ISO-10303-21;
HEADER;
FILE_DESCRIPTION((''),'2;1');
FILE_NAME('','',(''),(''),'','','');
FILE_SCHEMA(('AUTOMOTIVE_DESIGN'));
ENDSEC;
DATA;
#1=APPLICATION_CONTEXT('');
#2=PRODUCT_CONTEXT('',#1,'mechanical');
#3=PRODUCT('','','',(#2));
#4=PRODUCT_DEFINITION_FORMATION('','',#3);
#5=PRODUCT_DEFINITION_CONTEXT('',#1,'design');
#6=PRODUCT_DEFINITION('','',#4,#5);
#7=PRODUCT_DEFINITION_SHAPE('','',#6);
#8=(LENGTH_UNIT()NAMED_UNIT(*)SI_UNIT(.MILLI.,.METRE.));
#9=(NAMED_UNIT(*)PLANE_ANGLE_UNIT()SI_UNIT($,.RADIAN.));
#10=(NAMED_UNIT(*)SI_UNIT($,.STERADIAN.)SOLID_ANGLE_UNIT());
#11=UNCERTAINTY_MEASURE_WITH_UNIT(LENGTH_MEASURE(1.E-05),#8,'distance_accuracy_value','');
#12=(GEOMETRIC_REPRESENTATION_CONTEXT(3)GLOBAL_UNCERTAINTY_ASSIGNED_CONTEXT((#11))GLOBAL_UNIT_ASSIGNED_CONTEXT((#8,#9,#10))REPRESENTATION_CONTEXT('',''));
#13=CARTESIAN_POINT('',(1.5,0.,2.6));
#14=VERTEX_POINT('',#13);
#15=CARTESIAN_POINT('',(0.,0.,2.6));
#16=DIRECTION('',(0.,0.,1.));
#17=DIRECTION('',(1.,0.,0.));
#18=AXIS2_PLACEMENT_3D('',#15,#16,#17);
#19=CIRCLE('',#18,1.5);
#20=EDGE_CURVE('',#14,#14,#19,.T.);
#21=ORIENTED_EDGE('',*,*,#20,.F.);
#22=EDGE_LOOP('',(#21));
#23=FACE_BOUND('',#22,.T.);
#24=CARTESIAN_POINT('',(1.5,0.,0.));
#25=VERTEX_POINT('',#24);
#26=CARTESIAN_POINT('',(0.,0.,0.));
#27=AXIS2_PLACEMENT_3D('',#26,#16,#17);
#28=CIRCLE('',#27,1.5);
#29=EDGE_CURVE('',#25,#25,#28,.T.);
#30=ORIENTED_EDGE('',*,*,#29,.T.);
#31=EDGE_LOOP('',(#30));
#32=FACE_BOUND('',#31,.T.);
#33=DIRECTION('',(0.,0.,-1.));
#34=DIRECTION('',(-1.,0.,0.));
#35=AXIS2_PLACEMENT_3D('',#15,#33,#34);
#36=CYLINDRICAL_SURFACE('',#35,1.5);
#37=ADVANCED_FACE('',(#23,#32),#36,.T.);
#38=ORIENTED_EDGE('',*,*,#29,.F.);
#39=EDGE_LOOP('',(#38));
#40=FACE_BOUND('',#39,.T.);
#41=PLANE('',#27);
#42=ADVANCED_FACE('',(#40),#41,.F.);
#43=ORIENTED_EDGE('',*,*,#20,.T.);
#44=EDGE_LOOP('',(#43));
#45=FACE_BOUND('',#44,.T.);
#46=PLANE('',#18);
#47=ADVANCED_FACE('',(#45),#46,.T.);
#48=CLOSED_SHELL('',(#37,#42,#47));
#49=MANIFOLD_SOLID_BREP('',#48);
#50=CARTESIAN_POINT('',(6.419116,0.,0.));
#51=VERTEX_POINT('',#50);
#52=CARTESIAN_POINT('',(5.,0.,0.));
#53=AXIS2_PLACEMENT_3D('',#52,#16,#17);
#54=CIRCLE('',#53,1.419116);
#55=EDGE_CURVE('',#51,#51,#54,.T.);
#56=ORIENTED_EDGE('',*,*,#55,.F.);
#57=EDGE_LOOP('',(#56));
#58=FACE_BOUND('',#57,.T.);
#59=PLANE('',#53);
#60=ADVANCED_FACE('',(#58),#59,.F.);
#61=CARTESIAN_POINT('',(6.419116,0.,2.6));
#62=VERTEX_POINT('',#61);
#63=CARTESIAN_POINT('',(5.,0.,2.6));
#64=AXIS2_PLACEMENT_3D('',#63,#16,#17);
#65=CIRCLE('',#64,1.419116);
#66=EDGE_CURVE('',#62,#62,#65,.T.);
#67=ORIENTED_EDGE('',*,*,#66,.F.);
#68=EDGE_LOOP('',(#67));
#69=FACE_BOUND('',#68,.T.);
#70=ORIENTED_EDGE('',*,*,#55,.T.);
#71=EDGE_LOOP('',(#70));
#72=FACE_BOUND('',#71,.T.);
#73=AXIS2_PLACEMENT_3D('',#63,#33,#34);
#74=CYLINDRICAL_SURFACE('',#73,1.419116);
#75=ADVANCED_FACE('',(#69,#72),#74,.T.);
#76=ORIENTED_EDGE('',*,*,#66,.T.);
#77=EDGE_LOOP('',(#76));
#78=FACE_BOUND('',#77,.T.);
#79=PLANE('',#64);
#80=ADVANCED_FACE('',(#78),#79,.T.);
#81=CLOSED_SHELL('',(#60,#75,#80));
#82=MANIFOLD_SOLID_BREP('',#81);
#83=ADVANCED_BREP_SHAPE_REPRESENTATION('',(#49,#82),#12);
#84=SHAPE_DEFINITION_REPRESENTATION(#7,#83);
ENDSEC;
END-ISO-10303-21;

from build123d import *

# Parameters (mm, degrees)
SKIZZE1_R                         = 1.5
AUFSATZ_LINEAR_AUSTRAGEN1_DEPTH   = 2.6
SKIZZE1_R_2                       = 1.41911553
AUFSATZ_LINEAR_AUSTRAGEN1_2_DEPTH = 2.6


with BuildPart() as part:
    # Skizze1 → Aufsatz-Linear austragen1 (new body)
    with BuildSketch(Plane.XY):
        Circle(SKIZZE1_R)
    extrude(amount=AUFSATZ_LINEAR_AUSTRAGEN1_DEPTH)


with BuildPart() as body_2:
    # Skizze1 → Aufsatz-Linear austragen1 2 (new body)
    with BuildSketch(Plane.XY):
        with Locations((5, 0)):
            Circle(SKIZZE1_R_2)
    extrude(amount=AUFSATZ_LINEAR_AUSTRAGEN1_2_DEPTH)


solid = Compound([part.part, body_2.part])
